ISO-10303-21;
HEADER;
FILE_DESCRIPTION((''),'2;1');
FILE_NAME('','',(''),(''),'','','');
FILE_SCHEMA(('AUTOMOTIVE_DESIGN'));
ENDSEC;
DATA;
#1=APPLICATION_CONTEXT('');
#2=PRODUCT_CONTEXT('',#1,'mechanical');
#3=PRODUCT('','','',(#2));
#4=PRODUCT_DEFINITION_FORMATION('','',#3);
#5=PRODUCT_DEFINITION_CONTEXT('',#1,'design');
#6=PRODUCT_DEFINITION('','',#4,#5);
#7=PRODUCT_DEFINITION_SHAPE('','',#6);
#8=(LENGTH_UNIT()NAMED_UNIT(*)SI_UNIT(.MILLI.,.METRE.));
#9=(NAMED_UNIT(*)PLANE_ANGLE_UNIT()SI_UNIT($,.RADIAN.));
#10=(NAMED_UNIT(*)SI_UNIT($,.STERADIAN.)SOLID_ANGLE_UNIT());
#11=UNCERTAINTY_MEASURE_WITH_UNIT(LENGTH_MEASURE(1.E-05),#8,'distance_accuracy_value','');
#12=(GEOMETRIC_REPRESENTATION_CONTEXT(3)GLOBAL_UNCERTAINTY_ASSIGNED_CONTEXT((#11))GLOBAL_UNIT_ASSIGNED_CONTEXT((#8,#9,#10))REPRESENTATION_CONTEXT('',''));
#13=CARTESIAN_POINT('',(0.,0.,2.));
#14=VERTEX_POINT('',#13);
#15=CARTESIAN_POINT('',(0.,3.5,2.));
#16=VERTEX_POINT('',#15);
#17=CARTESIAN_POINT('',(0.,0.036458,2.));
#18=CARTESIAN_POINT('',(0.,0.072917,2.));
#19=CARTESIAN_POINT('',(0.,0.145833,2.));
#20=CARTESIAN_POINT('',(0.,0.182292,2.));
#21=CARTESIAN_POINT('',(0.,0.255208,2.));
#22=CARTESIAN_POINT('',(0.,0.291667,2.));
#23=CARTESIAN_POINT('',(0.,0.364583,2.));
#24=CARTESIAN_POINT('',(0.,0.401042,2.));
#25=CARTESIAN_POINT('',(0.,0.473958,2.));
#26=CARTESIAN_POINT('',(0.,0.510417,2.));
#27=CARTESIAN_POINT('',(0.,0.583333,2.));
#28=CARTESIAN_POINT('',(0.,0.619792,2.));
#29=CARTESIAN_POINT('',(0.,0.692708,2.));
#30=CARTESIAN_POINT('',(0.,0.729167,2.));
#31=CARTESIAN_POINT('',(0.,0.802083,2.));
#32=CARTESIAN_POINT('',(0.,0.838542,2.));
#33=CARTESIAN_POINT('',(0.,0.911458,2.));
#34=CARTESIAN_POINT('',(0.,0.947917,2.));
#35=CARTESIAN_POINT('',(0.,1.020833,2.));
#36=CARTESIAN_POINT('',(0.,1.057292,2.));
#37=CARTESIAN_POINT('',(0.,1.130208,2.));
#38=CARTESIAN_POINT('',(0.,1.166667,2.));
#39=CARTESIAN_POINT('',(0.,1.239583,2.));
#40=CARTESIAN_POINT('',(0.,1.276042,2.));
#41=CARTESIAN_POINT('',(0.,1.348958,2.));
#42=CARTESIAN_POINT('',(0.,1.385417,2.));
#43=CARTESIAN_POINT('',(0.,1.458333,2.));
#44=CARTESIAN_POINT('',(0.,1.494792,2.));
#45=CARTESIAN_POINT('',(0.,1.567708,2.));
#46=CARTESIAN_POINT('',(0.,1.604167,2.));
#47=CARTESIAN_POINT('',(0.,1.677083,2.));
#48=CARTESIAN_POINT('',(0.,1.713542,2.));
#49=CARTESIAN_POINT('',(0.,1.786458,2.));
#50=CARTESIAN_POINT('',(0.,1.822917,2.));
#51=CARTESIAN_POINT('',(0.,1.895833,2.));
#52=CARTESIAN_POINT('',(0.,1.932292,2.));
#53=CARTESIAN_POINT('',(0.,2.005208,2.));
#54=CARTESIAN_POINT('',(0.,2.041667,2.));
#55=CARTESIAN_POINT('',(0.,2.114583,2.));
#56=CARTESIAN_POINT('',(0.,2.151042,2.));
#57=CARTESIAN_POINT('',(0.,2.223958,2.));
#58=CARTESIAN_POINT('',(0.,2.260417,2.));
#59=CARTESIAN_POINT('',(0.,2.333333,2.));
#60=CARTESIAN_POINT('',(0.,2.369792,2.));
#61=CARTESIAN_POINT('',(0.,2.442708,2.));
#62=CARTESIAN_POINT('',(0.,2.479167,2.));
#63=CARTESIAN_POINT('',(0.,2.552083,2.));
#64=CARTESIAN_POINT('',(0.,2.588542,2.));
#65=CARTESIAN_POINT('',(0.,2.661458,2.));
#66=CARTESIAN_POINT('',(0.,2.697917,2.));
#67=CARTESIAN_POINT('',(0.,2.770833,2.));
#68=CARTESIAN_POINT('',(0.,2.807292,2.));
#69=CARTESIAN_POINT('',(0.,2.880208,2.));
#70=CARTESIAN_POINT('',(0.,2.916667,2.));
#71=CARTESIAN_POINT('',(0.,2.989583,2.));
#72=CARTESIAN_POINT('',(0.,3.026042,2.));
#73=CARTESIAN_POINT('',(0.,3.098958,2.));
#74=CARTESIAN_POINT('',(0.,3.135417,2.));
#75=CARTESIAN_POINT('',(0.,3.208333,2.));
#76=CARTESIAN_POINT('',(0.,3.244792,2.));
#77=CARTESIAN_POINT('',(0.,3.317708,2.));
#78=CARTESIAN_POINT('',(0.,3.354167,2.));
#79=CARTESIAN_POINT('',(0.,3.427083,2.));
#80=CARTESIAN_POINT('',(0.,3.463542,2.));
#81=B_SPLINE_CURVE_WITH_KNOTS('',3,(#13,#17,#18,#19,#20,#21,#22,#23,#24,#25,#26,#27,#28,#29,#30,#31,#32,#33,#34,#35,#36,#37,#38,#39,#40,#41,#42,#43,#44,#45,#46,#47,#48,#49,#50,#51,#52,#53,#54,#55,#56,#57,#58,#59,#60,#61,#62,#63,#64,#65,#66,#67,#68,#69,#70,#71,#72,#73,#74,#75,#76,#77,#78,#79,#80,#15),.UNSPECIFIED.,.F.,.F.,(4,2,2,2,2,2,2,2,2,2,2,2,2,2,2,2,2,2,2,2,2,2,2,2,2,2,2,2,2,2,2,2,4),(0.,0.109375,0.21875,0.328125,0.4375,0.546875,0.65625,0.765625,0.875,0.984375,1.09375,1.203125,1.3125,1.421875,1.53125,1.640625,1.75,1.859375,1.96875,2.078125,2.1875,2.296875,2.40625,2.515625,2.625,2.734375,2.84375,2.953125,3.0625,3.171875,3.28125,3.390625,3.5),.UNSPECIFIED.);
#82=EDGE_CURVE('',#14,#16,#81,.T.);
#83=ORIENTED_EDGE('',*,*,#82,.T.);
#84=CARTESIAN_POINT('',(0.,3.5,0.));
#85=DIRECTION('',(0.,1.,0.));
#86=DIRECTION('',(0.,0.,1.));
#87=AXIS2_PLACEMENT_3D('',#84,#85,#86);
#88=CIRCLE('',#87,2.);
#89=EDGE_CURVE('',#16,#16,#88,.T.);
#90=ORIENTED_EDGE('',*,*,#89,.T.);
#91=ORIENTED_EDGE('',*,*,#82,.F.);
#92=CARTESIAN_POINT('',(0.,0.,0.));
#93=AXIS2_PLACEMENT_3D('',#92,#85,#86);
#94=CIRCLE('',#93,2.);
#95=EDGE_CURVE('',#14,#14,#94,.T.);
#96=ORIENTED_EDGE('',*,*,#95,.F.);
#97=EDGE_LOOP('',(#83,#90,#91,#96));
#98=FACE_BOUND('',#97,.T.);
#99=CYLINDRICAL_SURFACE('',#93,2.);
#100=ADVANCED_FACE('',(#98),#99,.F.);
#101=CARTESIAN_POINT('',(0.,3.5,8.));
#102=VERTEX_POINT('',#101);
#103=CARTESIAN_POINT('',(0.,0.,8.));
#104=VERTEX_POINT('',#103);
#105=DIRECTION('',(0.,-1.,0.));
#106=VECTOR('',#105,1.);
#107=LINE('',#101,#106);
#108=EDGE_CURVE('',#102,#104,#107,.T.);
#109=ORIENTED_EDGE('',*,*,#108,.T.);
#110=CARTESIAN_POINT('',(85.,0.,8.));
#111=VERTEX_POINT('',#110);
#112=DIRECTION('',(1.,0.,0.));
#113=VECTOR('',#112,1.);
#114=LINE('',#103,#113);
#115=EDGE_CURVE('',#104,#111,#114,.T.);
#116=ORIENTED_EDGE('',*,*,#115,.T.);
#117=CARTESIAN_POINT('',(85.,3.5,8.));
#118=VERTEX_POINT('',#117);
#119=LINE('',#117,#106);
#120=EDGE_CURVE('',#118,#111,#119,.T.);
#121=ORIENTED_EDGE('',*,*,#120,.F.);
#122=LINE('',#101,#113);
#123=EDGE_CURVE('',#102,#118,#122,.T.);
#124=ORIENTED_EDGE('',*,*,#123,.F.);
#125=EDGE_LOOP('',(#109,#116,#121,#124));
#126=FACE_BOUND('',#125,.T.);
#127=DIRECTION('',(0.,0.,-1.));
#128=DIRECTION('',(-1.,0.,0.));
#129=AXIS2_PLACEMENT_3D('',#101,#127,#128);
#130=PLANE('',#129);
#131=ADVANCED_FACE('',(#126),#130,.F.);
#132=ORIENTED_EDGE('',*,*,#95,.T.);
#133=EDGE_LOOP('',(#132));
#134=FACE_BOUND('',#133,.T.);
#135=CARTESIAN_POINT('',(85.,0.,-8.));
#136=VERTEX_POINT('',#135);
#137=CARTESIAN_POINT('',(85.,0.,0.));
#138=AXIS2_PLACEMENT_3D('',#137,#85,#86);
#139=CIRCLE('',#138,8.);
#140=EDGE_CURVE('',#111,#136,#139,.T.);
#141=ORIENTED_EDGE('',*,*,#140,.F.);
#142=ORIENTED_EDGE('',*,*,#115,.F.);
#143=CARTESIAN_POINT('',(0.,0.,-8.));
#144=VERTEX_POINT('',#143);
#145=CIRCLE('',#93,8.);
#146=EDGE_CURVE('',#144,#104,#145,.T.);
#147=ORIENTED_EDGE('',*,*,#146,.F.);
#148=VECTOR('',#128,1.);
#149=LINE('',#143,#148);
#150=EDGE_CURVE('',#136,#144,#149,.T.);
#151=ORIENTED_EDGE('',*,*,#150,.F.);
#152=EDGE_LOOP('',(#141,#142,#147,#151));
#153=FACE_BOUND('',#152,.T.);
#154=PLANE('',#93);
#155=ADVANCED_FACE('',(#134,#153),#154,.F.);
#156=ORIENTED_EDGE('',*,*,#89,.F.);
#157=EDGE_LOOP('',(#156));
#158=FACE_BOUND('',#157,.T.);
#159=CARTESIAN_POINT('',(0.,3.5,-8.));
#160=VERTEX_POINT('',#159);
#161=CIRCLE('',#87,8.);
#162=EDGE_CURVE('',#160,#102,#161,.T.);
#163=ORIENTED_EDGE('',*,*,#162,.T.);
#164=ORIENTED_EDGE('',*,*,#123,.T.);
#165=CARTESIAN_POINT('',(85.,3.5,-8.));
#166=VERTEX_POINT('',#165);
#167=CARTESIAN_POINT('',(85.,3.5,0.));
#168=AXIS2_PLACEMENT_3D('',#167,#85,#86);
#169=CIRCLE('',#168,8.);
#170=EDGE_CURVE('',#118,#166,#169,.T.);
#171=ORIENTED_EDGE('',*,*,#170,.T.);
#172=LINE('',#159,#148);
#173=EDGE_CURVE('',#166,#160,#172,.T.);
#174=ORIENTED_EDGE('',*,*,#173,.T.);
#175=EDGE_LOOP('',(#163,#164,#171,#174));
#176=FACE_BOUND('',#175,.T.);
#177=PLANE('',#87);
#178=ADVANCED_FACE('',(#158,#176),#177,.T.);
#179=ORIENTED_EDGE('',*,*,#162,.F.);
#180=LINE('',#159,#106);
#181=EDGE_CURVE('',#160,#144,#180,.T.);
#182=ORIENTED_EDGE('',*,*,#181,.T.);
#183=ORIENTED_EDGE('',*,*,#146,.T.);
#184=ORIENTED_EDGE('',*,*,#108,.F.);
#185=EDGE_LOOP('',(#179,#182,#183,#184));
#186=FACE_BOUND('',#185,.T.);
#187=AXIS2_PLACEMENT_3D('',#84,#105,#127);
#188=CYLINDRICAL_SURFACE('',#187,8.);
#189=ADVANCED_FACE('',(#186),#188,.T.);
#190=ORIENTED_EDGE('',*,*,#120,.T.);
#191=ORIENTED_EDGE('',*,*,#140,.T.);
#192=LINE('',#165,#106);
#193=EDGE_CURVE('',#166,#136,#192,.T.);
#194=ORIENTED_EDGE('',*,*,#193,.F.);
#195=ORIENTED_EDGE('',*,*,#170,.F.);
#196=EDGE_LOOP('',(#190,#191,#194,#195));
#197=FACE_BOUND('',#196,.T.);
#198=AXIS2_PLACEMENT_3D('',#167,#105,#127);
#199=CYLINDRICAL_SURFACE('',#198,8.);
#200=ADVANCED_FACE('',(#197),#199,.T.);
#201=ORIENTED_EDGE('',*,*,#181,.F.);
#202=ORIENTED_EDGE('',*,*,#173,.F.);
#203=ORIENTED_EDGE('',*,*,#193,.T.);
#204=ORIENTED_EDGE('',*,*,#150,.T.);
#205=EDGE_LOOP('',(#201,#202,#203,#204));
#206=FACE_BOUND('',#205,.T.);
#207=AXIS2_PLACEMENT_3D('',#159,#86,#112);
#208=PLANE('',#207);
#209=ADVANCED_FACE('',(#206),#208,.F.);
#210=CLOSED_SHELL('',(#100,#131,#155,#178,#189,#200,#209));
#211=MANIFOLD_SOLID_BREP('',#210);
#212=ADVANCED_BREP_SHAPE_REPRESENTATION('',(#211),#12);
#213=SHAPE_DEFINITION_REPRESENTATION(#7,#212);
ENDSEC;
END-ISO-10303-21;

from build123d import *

# Parameters (mm, degrees)
BOSS_EXTRUDE1_DEPTH = 3.5
SKETCH2_R           = 2
CUT_EXTRUDE1_DEPTH  = 3.5


with BuildPart() as part:
    # Sketch1 → Boss-Extrude1 (new body)
    with BuildSketch(Plane(origin=(0, 0, 0), x_dir=(1, 0, 0), z_dir=(0, 1, 0))):
        with BuildLine():
            Line((0, 8), (85, 8))
            ThreePointArc((85, 8), (93, 0), (85, -8))
            Line((85, -8), (0, -8))
            ThreePointArc((0, -8), (-8, 0), (0, 8))
        make_face()
    extrude(amount=BOSS_EXTRUDE1_DEPTH)

    # Sketch2 → Cut-Extrude1 (cut)
    with BuildSketch(Plane(origin=(0, 3.5, 0), x_dir=(1, 0, 0), z_dir=(0, 1, 0))):
        with Locations(Location((0, 0, 0), (0, 0, 270))):
            Circle(SKETCH2_R)
    extrude(amount=-CUT_EXTRUDE1_DEPTH, mode=Mode.SUBTRACT)


solid = part.part
